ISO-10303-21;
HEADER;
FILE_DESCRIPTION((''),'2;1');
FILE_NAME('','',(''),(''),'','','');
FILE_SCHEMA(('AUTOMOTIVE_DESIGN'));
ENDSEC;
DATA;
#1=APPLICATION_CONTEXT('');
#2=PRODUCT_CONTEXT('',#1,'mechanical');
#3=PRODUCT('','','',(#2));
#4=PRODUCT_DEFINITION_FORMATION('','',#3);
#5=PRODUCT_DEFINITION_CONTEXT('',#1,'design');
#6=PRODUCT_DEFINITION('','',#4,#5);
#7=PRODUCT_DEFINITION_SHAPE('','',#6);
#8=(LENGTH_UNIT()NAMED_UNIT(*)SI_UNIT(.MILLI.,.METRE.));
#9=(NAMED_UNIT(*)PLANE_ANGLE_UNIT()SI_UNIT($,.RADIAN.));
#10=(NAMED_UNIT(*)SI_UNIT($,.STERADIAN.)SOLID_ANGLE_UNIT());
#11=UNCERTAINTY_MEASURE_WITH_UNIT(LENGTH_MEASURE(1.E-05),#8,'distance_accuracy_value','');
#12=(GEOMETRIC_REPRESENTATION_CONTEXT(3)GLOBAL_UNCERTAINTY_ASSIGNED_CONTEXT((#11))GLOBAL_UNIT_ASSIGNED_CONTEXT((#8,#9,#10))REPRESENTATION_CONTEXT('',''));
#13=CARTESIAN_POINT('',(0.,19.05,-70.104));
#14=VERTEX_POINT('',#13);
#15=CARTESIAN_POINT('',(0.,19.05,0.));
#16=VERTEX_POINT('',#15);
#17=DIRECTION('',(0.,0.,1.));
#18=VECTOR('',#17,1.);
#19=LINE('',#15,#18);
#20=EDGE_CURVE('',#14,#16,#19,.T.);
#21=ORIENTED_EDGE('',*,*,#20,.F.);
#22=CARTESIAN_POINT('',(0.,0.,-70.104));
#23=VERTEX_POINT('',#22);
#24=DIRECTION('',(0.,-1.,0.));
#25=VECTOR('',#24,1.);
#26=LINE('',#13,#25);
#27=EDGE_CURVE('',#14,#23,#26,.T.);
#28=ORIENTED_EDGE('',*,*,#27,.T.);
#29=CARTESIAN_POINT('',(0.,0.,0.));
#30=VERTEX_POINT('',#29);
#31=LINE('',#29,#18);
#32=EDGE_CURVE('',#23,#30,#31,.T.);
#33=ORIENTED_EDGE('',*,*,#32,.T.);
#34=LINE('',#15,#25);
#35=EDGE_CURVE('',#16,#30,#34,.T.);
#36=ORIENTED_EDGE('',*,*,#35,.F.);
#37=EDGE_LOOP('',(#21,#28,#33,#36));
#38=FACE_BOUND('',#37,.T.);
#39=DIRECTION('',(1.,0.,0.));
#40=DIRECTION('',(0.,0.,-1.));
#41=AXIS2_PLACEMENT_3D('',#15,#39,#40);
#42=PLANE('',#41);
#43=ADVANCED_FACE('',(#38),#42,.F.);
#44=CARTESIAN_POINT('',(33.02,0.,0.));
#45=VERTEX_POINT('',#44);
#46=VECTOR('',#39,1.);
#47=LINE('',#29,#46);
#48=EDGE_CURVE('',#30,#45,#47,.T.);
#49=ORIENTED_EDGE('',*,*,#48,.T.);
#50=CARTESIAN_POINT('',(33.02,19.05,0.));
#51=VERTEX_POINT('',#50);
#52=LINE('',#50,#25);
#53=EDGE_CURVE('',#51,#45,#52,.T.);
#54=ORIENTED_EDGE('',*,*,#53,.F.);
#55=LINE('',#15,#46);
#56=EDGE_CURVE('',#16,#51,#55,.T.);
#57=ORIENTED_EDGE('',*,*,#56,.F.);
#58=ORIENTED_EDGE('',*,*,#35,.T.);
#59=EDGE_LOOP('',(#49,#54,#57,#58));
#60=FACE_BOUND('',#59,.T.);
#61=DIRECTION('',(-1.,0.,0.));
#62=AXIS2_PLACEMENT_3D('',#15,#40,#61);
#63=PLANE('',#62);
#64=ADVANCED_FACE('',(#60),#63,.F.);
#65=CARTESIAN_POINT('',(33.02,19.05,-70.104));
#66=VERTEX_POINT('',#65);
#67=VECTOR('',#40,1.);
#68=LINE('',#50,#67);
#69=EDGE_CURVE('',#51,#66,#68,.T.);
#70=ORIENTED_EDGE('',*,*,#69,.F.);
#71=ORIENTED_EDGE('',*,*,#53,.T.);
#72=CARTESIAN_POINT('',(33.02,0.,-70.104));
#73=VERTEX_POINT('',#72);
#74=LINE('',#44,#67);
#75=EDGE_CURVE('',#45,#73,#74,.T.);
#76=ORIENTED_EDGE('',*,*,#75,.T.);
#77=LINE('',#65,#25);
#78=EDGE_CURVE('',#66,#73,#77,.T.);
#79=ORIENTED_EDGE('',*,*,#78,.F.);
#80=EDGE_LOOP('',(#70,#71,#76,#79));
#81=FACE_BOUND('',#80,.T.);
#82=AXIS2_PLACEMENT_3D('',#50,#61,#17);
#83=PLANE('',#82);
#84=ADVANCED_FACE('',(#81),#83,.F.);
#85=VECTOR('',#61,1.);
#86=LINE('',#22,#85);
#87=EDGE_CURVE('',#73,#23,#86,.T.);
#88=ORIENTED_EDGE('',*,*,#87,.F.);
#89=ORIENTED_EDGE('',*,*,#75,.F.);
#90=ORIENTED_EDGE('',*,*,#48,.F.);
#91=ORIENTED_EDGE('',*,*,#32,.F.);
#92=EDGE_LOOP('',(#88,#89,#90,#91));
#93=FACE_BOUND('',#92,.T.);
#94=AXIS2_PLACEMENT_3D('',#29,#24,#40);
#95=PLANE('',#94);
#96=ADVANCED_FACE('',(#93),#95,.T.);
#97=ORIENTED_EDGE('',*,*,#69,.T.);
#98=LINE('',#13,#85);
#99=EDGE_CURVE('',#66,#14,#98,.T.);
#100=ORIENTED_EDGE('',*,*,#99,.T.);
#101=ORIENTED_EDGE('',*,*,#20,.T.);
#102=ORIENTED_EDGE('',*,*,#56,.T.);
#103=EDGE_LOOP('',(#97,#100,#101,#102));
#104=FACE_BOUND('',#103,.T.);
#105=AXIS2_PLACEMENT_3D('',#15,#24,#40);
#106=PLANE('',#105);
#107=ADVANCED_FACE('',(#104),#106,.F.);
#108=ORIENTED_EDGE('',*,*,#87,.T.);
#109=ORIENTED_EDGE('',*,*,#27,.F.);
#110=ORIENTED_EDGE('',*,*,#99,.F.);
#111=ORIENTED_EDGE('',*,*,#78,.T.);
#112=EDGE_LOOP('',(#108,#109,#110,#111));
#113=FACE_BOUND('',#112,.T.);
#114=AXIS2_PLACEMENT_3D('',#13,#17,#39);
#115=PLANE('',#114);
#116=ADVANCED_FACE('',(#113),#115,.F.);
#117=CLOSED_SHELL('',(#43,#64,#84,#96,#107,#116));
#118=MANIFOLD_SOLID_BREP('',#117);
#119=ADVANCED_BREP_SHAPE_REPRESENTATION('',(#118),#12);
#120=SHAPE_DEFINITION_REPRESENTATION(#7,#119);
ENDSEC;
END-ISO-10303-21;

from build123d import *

# Parameters (mm, degrees)
SKETCH1_W           = 33.02
SKETCH1_H           = 70.104
BOSS_EXTRUDE1_DEPTH = 19.05


with BuildPart() as part:
    # Sketch1 → Boss-Extrude1 (new body)
    with BuildSketch(Plane(origin=(0, 0, 0), x_dir=(1, 0, 0), z_dir=(0, 1, 0))):
        with Locations((16.51, 35.052)):
            Rectangle(SKETCH1_W, SKETCH1_H)
    extrude(amount=BOSS_EXTRUDE1_DEPTH)


solid = part.part
